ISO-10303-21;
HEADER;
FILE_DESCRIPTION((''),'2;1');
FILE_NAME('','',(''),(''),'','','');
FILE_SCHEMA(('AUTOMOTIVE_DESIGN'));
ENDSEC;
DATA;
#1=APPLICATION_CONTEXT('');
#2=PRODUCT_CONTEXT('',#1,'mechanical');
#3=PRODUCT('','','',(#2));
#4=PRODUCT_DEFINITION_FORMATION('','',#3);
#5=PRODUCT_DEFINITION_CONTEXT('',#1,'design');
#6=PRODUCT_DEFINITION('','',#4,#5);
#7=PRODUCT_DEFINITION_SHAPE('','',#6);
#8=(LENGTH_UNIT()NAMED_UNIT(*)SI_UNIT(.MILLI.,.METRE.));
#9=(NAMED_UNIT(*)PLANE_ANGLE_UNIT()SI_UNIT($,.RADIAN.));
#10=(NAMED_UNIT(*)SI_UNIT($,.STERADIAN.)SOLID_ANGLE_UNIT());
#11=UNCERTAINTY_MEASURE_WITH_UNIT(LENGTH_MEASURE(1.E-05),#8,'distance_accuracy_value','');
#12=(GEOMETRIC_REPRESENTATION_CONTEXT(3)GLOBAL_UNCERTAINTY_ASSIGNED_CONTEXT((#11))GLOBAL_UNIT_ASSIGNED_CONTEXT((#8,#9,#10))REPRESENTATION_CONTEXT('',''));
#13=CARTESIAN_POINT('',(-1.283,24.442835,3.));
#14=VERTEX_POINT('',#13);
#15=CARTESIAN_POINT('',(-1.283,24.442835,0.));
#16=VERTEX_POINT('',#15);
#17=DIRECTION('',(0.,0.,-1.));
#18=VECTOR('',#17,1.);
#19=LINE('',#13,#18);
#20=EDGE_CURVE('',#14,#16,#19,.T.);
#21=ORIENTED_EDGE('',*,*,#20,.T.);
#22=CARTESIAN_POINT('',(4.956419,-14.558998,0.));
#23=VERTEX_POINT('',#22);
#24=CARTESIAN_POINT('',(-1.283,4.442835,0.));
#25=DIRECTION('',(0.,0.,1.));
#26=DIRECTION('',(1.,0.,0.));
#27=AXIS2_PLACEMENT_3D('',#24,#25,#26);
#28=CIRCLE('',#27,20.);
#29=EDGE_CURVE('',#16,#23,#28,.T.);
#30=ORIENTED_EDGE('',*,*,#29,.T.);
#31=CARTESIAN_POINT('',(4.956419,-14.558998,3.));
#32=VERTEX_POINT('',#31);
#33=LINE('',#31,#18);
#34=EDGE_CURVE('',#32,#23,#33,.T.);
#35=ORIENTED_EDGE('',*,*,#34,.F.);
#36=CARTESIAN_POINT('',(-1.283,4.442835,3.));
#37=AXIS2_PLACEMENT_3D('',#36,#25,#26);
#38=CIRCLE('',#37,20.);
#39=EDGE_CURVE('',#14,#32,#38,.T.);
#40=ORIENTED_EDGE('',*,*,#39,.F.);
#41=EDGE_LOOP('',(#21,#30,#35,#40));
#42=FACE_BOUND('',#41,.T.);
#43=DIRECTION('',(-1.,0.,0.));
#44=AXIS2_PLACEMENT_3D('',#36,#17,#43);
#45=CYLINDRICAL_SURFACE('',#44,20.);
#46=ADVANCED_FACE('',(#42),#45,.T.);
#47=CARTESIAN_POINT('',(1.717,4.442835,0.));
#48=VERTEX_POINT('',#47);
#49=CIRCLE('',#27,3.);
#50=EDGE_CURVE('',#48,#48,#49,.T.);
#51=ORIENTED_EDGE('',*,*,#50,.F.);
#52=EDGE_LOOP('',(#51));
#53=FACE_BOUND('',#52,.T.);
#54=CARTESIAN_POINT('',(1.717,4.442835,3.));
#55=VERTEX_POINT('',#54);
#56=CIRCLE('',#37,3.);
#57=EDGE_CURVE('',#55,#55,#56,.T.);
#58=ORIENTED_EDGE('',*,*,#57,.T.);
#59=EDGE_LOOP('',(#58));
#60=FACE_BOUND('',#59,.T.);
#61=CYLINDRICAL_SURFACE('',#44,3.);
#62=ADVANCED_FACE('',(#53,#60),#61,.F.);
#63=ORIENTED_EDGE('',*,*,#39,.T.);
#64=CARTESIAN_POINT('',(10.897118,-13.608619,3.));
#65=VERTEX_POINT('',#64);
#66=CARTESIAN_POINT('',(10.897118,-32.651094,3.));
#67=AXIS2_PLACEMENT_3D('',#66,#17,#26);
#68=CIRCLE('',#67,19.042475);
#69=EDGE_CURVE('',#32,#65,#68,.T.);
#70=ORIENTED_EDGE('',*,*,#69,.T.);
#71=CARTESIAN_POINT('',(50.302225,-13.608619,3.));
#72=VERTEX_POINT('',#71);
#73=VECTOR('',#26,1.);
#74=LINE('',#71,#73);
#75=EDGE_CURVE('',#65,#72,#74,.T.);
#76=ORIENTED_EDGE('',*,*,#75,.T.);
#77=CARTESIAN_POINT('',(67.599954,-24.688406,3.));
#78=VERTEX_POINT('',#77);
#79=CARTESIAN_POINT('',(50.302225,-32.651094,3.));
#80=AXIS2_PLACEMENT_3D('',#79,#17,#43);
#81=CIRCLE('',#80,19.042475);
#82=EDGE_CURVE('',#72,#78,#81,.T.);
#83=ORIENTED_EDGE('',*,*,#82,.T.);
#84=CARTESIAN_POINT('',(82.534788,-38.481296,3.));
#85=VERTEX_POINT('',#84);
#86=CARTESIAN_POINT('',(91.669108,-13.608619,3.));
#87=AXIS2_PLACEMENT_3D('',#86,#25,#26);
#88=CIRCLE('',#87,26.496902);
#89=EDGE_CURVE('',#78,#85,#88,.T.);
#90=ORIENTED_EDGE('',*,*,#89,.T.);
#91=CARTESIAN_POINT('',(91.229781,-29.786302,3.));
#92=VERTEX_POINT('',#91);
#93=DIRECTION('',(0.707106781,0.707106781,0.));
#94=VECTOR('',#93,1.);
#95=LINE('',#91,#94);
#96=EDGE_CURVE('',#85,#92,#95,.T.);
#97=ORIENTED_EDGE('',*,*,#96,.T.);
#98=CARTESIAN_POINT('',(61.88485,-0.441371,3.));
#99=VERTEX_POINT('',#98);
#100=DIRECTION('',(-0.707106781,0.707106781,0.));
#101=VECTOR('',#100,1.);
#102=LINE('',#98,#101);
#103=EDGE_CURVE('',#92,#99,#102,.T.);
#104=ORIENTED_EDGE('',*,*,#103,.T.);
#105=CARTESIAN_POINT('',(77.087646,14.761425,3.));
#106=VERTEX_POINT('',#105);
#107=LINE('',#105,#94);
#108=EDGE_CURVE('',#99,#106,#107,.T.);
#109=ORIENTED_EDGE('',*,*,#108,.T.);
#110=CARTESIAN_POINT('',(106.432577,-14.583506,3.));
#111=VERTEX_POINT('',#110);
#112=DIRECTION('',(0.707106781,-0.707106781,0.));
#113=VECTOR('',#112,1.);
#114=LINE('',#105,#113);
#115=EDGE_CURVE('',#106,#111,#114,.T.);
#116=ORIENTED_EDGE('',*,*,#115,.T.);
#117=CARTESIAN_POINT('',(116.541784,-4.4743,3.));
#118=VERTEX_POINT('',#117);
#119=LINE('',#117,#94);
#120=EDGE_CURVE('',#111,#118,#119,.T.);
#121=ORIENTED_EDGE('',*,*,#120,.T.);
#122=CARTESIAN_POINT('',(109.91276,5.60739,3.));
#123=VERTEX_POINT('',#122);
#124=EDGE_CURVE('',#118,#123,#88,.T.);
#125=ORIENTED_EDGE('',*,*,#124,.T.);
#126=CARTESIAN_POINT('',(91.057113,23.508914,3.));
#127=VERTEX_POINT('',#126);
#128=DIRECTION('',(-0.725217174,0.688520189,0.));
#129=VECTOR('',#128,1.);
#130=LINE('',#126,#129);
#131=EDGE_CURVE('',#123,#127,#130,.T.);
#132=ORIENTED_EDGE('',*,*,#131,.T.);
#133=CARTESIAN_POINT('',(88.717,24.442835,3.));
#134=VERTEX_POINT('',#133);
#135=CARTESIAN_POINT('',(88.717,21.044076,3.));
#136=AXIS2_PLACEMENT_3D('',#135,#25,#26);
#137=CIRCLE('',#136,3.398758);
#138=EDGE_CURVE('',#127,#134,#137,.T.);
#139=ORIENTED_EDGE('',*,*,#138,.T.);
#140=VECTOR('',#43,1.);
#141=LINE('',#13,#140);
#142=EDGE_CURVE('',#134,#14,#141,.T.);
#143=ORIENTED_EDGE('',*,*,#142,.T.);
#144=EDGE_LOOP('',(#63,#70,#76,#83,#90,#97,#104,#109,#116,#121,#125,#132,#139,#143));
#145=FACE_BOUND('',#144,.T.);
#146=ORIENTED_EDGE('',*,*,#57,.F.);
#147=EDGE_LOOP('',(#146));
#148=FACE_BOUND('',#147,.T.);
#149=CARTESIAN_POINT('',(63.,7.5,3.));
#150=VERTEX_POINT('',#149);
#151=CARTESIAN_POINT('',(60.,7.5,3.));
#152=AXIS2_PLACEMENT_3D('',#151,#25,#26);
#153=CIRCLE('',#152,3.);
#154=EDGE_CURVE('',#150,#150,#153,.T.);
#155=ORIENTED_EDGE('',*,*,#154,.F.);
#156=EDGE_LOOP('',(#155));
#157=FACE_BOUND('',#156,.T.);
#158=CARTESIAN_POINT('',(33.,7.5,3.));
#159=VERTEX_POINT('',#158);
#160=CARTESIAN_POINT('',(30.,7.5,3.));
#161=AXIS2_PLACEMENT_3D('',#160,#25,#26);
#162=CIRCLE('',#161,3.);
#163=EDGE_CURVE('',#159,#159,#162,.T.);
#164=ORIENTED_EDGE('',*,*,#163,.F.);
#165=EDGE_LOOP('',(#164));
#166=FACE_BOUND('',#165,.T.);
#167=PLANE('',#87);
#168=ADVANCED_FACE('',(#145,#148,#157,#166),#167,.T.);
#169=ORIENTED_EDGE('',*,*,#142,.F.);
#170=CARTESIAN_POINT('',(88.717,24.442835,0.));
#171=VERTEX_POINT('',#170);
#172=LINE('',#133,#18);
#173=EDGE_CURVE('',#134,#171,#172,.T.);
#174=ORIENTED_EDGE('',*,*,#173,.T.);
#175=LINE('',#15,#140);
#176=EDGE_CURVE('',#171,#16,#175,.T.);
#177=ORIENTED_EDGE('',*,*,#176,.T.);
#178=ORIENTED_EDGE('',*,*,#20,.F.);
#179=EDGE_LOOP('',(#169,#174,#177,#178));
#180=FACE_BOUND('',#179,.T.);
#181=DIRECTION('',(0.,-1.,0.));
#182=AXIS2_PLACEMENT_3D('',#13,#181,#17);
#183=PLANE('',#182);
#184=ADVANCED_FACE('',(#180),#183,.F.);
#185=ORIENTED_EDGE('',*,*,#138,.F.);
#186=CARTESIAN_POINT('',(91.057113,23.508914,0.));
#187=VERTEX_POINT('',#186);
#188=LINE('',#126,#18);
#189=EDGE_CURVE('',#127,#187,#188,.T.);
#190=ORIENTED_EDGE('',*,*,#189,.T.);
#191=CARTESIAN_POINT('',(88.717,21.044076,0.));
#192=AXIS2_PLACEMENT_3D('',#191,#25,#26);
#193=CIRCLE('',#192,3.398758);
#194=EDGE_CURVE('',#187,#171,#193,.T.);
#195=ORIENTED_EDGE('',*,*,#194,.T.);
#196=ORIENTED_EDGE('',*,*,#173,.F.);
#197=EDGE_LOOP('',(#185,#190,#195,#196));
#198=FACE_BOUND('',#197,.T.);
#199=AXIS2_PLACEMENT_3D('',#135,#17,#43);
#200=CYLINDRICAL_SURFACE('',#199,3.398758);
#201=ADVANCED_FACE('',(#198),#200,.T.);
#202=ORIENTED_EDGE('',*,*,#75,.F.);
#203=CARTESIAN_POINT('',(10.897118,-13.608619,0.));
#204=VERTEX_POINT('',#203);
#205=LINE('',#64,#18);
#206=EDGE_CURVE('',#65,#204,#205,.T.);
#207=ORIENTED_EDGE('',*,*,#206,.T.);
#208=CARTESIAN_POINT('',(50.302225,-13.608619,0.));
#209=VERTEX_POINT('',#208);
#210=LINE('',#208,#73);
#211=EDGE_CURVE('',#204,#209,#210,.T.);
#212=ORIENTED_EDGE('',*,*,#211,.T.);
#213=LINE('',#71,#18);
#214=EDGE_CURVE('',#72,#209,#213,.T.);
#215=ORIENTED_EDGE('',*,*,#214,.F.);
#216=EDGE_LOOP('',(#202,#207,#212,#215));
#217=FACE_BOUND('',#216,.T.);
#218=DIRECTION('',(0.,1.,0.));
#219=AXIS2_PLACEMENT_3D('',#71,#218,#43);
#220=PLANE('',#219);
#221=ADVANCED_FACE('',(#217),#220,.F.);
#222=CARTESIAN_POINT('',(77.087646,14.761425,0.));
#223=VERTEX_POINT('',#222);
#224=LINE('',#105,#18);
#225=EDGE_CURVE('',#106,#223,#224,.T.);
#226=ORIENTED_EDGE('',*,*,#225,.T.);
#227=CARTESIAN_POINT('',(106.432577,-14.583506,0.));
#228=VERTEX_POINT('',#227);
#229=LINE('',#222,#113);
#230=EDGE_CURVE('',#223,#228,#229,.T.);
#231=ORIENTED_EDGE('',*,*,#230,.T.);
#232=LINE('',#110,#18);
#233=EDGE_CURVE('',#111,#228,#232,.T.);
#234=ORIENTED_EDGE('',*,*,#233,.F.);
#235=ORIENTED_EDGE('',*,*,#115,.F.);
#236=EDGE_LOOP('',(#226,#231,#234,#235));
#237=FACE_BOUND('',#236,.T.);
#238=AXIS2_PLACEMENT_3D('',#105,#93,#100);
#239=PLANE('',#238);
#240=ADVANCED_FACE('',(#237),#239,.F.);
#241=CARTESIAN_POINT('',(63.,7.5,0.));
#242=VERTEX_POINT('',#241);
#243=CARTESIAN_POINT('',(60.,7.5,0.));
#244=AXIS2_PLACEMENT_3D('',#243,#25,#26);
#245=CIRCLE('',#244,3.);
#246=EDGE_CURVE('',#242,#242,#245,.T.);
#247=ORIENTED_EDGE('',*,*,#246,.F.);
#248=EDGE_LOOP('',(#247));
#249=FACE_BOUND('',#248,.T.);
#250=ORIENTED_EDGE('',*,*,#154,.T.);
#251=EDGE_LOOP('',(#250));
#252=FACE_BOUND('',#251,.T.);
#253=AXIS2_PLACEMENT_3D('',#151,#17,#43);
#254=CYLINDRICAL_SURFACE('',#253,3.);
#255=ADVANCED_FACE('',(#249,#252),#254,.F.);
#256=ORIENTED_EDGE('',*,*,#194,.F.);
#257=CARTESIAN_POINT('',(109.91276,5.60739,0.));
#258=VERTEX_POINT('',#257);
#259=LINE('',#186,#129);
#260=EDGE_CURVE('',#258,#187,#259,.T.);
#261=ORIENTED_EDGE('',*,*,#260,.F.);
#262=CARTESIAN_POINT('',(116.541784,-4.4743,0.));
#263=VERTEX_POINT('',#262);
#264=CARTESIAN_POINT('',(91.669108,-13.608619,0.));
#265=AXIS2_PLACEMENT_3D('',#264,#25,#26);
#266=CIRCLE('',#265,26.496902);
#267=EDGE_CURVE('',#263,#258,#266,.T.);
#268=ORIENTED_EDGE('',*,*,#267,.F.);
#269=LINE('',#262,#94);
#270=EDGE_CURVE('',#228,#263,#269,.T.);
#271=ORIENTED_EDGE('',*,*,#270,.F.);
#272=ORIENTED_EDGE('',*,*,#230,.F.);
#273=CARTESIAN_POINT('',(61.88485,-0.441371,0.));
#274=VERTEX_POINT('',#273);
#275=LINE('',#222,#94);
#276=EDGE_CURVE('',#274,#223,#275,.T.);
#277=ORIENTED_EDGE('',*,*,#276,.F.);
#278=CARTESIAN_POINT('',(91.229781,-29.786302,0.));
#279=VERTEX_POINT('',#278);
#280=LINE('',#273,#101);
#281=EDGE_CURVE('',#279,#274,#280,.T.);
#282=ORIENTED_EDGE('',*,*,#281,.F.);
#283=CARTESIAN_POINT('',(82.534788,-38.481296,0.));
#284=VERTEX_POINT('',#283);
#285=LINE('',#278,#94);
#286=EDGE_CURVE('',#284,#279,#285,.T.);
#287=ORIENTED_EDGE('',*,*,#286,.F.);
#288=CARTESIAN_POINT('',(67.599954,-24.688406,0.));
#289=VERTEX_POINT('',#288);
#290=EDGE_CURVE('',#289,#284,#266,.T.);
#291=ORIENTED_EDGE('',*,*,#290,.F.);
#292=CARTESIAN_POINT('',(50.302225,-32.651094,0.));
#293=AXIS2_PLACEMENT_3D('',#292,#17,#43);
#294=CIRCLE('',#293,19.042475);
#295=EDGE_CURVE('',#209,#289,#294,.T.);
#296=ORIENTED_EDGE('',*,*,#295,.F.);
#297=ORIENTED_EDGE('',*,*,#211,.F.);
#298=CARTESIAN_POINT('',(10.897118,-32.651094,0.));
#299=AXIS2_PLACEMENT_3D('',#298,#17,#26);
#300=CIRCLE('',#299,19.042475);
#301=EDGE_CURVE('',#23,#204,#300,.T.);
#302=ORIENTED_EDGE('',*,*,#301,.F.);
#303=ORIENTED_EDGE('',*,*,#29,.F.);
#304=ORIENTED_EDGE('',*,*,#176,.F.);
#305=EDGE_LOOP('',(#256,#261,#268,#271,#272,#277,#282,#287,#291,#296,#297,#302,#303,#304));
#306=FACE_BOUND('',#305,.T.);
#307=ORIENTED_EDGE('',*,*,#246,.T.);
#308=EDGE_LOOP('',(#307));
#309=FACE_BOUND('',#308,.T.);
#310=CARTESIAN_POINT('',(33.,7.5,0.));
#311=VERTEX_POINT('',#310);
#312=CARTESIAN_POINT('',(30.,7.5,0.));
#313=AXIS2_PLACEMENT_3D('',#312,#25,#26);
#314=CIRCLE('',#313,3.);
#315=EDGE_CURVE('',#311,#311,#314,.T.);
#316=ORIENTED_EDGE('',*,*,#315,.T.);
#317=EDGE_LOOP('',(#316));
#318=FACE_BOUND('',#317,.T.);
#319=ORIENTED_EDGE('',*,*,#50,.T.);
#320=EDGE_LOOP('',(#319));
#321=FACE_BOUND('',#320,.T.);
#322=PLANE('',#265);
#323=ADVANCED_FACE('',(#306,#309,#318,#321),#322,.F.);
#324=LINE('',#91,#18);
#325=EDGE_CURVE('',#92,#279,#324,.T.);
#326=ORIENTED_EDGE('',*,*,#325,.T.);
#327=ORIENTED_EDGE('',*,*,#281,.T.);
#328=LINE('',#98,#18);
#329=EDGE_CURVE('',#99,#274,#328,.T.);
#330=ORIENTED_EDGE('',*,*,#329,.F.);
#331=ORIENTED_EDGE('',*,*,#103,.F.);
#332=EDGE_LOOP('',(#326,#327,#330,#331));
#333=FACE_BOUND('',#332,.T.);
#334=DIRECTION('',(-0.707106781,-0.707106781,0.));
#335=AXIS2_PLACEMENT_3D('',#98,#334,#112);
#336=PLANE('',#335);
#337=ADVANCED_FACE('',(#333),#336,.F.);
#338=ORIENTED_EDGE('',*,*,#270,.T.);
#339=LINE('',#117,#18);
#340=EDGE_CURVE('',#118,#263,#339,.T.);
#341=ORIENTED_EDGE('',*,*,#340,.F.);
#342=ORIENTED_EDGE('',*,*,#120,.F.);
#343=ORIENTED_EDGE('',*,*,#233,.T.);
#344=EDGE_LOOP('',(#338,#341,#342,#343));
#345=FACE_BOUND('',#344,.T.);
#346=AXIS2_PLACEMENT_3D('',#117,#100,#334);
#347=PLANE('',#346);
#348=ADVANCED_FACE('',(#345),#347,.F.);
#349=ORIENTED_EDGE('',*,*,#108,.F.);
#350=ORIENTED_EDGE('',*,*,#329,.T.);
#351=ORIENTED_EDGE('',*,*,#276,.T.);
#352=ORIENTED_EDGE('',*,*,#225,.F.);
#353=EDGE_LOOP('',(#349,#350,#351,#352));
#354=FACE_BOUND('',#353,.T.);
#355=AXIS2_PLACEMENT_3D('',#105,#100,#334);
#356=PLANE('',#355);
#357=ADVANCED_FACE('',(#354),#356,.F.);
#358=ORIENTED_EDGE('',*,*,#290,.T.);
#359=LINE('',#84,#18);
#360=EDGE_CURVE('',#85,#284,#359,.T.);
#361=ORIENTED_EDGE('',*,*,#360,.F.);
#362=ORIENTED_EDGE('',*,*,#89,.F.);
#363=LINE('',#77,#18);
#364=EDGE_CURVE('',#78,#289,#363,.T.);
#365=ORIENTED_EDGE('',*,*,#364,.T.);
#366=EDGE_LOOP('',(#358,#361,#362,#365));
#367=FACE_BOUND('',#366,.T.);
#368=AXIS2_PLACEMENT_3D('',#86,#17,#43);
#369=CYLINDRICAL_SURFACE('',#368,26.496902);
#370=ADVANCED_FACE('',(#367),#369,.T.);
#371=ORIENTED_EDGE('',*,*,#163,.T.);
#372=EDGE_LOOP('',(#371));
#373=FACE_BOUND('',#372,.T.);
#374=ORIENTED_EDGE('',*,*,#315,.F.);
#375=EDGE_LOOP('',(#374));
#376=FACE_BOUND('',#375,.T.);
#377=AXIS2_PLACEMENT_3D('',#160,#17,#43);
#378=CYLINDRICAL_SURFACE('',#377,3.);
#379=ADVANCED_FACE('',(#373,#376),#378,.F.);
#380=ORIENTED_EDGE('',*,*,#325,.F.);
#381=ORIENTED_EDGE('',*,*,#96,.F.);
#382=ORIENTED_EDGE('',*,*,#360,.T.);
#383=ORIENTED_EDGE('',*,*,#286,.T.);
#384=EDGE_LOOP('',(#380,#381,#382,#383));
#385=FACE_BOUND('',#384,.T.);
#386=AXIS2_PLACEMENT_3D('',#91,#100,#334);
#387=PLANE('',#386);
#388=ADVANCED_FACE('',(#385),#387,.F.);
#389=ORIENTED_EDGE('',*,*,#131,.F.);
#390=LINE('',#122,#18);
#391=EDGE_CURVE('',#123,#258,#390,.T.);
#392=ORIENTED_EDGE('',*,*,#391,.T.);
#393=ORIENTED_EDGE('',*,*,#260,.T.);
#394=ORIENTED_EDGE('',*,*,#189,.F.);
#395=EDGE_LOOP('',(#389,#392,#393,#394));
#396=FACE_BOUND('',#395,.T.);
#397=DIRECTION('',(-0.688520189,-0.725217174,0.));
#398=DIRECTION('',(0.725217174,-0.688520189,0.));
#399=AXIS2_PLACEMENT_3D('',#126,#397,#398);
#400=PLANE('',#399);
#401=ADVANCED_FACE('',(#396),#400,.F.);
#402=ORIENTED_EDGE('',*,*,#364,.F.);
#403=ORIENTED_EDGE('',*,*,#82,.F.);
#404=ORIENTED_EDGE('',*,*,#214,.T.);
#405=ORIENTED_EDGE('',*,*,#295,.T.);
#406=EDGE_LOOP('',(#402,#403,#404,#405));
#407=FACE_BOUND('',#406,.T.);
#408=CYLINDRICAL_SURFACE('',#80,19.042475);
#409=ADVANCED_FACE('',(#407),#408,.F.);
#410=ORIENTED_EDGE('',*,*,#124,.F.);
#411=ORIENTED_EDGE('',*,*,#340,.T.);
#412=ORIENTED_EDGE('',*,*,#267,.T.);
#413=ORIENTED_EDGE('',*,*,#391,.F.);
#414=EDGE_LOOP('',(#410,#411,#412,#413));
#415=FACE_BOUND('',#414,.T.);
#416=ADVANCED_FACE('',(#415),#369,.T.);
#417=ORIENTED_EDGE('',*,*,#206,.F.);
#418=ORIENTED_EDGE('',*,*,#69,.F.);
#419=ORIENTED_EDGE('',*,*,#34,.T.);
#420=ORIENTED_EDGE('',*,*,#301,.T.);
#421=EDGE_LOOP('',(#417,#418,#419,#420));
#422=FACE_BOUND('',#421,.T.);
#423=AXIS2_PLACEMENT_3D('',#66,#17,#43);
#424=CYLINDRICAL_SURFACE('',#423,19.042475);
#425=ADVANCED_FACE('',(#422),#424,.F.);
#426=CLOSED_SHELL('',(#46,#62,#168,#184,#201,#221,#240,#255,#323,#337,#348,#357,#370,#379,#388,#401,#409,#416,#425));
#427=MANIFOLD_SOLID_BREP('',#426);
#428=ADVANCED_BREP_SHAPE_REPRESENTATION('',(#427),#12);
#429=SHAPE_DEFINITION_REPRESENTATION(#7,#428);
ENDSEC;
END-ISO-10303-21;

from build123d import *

# Parameters (mm, degrees)
SKETCH1_R           = 3
BOSS_EXTRUDE1_DEPTH = 3


with BuildPart() as part:
    # Sketch1 → Boss-Extrude1 (new body)
    with BuildSketch(Plane.XY):
        with BuildLine():
            Line((77.087645862, 14.761424984), (61.884850067, -0.441370812))
            Line((61.884850067, -0.441370812), (91.229781486, -29.786302231))
            Line((91.229781486, -29.786302231), (82.534788155, -38.481295563))
            ThreePointArc((82.534788155, -38.481295563), (73.691938632, -33.074158425), (67.599954135, -24.688405948))
            ThreePointArc((67.599954135, -24.688405948), (60.573216822, -16.61605207), (50.302224608, -13.608619059))
            Line((50.302224608, -13.608619059), (10.897118181, -13.608619059))
            ThreePointArc((10.897118181, -13.608619059), (7.888998842, -13.847714786), (4.956418896, -14.558997838))
            ThreePointArc((4.956418896, -14.558997838), (-21.031882132, 1.283456288), (-1.283000467, 24.442834864))
            Line((-1.283000467, 24.442834864), (88.716999533, 24.442834864))
            ThreePointArc((88.716999533, 24.442834864), (89.976795131, 24.200731926), (91.057113295, 23.508914432))
            Line((91.057113295, 23.508914432), (109.912759821, 5.607389522))
            ThreePointArc((109.912759821, 5.607389522), (113.808768074, 0.948896759), (116.541784176, -4.474299542))
            Line((116.541784176, -4.474299542), (106.432577282, -14.583506436))
            Line((106.432577282, -14.583506436), (77.087645862, 14.761424984))
        make_face()
        with Locations((30, 7.5)):
            Circle(SKETCH1_R, mode=Mode.SUBTRACT)
        with Locations((-1.283000467, 4.442834864)):
            Circle(SKETCH1_R, mode=Mode.SUBTRACT)
        with Locations((60, 7.5)):
            Circle(SKETCH1_R, mode=Mode.SUBTRACT)
    extrude(amount=BOSS_EXTRUDE1_DEPTH)


solid = part.part
